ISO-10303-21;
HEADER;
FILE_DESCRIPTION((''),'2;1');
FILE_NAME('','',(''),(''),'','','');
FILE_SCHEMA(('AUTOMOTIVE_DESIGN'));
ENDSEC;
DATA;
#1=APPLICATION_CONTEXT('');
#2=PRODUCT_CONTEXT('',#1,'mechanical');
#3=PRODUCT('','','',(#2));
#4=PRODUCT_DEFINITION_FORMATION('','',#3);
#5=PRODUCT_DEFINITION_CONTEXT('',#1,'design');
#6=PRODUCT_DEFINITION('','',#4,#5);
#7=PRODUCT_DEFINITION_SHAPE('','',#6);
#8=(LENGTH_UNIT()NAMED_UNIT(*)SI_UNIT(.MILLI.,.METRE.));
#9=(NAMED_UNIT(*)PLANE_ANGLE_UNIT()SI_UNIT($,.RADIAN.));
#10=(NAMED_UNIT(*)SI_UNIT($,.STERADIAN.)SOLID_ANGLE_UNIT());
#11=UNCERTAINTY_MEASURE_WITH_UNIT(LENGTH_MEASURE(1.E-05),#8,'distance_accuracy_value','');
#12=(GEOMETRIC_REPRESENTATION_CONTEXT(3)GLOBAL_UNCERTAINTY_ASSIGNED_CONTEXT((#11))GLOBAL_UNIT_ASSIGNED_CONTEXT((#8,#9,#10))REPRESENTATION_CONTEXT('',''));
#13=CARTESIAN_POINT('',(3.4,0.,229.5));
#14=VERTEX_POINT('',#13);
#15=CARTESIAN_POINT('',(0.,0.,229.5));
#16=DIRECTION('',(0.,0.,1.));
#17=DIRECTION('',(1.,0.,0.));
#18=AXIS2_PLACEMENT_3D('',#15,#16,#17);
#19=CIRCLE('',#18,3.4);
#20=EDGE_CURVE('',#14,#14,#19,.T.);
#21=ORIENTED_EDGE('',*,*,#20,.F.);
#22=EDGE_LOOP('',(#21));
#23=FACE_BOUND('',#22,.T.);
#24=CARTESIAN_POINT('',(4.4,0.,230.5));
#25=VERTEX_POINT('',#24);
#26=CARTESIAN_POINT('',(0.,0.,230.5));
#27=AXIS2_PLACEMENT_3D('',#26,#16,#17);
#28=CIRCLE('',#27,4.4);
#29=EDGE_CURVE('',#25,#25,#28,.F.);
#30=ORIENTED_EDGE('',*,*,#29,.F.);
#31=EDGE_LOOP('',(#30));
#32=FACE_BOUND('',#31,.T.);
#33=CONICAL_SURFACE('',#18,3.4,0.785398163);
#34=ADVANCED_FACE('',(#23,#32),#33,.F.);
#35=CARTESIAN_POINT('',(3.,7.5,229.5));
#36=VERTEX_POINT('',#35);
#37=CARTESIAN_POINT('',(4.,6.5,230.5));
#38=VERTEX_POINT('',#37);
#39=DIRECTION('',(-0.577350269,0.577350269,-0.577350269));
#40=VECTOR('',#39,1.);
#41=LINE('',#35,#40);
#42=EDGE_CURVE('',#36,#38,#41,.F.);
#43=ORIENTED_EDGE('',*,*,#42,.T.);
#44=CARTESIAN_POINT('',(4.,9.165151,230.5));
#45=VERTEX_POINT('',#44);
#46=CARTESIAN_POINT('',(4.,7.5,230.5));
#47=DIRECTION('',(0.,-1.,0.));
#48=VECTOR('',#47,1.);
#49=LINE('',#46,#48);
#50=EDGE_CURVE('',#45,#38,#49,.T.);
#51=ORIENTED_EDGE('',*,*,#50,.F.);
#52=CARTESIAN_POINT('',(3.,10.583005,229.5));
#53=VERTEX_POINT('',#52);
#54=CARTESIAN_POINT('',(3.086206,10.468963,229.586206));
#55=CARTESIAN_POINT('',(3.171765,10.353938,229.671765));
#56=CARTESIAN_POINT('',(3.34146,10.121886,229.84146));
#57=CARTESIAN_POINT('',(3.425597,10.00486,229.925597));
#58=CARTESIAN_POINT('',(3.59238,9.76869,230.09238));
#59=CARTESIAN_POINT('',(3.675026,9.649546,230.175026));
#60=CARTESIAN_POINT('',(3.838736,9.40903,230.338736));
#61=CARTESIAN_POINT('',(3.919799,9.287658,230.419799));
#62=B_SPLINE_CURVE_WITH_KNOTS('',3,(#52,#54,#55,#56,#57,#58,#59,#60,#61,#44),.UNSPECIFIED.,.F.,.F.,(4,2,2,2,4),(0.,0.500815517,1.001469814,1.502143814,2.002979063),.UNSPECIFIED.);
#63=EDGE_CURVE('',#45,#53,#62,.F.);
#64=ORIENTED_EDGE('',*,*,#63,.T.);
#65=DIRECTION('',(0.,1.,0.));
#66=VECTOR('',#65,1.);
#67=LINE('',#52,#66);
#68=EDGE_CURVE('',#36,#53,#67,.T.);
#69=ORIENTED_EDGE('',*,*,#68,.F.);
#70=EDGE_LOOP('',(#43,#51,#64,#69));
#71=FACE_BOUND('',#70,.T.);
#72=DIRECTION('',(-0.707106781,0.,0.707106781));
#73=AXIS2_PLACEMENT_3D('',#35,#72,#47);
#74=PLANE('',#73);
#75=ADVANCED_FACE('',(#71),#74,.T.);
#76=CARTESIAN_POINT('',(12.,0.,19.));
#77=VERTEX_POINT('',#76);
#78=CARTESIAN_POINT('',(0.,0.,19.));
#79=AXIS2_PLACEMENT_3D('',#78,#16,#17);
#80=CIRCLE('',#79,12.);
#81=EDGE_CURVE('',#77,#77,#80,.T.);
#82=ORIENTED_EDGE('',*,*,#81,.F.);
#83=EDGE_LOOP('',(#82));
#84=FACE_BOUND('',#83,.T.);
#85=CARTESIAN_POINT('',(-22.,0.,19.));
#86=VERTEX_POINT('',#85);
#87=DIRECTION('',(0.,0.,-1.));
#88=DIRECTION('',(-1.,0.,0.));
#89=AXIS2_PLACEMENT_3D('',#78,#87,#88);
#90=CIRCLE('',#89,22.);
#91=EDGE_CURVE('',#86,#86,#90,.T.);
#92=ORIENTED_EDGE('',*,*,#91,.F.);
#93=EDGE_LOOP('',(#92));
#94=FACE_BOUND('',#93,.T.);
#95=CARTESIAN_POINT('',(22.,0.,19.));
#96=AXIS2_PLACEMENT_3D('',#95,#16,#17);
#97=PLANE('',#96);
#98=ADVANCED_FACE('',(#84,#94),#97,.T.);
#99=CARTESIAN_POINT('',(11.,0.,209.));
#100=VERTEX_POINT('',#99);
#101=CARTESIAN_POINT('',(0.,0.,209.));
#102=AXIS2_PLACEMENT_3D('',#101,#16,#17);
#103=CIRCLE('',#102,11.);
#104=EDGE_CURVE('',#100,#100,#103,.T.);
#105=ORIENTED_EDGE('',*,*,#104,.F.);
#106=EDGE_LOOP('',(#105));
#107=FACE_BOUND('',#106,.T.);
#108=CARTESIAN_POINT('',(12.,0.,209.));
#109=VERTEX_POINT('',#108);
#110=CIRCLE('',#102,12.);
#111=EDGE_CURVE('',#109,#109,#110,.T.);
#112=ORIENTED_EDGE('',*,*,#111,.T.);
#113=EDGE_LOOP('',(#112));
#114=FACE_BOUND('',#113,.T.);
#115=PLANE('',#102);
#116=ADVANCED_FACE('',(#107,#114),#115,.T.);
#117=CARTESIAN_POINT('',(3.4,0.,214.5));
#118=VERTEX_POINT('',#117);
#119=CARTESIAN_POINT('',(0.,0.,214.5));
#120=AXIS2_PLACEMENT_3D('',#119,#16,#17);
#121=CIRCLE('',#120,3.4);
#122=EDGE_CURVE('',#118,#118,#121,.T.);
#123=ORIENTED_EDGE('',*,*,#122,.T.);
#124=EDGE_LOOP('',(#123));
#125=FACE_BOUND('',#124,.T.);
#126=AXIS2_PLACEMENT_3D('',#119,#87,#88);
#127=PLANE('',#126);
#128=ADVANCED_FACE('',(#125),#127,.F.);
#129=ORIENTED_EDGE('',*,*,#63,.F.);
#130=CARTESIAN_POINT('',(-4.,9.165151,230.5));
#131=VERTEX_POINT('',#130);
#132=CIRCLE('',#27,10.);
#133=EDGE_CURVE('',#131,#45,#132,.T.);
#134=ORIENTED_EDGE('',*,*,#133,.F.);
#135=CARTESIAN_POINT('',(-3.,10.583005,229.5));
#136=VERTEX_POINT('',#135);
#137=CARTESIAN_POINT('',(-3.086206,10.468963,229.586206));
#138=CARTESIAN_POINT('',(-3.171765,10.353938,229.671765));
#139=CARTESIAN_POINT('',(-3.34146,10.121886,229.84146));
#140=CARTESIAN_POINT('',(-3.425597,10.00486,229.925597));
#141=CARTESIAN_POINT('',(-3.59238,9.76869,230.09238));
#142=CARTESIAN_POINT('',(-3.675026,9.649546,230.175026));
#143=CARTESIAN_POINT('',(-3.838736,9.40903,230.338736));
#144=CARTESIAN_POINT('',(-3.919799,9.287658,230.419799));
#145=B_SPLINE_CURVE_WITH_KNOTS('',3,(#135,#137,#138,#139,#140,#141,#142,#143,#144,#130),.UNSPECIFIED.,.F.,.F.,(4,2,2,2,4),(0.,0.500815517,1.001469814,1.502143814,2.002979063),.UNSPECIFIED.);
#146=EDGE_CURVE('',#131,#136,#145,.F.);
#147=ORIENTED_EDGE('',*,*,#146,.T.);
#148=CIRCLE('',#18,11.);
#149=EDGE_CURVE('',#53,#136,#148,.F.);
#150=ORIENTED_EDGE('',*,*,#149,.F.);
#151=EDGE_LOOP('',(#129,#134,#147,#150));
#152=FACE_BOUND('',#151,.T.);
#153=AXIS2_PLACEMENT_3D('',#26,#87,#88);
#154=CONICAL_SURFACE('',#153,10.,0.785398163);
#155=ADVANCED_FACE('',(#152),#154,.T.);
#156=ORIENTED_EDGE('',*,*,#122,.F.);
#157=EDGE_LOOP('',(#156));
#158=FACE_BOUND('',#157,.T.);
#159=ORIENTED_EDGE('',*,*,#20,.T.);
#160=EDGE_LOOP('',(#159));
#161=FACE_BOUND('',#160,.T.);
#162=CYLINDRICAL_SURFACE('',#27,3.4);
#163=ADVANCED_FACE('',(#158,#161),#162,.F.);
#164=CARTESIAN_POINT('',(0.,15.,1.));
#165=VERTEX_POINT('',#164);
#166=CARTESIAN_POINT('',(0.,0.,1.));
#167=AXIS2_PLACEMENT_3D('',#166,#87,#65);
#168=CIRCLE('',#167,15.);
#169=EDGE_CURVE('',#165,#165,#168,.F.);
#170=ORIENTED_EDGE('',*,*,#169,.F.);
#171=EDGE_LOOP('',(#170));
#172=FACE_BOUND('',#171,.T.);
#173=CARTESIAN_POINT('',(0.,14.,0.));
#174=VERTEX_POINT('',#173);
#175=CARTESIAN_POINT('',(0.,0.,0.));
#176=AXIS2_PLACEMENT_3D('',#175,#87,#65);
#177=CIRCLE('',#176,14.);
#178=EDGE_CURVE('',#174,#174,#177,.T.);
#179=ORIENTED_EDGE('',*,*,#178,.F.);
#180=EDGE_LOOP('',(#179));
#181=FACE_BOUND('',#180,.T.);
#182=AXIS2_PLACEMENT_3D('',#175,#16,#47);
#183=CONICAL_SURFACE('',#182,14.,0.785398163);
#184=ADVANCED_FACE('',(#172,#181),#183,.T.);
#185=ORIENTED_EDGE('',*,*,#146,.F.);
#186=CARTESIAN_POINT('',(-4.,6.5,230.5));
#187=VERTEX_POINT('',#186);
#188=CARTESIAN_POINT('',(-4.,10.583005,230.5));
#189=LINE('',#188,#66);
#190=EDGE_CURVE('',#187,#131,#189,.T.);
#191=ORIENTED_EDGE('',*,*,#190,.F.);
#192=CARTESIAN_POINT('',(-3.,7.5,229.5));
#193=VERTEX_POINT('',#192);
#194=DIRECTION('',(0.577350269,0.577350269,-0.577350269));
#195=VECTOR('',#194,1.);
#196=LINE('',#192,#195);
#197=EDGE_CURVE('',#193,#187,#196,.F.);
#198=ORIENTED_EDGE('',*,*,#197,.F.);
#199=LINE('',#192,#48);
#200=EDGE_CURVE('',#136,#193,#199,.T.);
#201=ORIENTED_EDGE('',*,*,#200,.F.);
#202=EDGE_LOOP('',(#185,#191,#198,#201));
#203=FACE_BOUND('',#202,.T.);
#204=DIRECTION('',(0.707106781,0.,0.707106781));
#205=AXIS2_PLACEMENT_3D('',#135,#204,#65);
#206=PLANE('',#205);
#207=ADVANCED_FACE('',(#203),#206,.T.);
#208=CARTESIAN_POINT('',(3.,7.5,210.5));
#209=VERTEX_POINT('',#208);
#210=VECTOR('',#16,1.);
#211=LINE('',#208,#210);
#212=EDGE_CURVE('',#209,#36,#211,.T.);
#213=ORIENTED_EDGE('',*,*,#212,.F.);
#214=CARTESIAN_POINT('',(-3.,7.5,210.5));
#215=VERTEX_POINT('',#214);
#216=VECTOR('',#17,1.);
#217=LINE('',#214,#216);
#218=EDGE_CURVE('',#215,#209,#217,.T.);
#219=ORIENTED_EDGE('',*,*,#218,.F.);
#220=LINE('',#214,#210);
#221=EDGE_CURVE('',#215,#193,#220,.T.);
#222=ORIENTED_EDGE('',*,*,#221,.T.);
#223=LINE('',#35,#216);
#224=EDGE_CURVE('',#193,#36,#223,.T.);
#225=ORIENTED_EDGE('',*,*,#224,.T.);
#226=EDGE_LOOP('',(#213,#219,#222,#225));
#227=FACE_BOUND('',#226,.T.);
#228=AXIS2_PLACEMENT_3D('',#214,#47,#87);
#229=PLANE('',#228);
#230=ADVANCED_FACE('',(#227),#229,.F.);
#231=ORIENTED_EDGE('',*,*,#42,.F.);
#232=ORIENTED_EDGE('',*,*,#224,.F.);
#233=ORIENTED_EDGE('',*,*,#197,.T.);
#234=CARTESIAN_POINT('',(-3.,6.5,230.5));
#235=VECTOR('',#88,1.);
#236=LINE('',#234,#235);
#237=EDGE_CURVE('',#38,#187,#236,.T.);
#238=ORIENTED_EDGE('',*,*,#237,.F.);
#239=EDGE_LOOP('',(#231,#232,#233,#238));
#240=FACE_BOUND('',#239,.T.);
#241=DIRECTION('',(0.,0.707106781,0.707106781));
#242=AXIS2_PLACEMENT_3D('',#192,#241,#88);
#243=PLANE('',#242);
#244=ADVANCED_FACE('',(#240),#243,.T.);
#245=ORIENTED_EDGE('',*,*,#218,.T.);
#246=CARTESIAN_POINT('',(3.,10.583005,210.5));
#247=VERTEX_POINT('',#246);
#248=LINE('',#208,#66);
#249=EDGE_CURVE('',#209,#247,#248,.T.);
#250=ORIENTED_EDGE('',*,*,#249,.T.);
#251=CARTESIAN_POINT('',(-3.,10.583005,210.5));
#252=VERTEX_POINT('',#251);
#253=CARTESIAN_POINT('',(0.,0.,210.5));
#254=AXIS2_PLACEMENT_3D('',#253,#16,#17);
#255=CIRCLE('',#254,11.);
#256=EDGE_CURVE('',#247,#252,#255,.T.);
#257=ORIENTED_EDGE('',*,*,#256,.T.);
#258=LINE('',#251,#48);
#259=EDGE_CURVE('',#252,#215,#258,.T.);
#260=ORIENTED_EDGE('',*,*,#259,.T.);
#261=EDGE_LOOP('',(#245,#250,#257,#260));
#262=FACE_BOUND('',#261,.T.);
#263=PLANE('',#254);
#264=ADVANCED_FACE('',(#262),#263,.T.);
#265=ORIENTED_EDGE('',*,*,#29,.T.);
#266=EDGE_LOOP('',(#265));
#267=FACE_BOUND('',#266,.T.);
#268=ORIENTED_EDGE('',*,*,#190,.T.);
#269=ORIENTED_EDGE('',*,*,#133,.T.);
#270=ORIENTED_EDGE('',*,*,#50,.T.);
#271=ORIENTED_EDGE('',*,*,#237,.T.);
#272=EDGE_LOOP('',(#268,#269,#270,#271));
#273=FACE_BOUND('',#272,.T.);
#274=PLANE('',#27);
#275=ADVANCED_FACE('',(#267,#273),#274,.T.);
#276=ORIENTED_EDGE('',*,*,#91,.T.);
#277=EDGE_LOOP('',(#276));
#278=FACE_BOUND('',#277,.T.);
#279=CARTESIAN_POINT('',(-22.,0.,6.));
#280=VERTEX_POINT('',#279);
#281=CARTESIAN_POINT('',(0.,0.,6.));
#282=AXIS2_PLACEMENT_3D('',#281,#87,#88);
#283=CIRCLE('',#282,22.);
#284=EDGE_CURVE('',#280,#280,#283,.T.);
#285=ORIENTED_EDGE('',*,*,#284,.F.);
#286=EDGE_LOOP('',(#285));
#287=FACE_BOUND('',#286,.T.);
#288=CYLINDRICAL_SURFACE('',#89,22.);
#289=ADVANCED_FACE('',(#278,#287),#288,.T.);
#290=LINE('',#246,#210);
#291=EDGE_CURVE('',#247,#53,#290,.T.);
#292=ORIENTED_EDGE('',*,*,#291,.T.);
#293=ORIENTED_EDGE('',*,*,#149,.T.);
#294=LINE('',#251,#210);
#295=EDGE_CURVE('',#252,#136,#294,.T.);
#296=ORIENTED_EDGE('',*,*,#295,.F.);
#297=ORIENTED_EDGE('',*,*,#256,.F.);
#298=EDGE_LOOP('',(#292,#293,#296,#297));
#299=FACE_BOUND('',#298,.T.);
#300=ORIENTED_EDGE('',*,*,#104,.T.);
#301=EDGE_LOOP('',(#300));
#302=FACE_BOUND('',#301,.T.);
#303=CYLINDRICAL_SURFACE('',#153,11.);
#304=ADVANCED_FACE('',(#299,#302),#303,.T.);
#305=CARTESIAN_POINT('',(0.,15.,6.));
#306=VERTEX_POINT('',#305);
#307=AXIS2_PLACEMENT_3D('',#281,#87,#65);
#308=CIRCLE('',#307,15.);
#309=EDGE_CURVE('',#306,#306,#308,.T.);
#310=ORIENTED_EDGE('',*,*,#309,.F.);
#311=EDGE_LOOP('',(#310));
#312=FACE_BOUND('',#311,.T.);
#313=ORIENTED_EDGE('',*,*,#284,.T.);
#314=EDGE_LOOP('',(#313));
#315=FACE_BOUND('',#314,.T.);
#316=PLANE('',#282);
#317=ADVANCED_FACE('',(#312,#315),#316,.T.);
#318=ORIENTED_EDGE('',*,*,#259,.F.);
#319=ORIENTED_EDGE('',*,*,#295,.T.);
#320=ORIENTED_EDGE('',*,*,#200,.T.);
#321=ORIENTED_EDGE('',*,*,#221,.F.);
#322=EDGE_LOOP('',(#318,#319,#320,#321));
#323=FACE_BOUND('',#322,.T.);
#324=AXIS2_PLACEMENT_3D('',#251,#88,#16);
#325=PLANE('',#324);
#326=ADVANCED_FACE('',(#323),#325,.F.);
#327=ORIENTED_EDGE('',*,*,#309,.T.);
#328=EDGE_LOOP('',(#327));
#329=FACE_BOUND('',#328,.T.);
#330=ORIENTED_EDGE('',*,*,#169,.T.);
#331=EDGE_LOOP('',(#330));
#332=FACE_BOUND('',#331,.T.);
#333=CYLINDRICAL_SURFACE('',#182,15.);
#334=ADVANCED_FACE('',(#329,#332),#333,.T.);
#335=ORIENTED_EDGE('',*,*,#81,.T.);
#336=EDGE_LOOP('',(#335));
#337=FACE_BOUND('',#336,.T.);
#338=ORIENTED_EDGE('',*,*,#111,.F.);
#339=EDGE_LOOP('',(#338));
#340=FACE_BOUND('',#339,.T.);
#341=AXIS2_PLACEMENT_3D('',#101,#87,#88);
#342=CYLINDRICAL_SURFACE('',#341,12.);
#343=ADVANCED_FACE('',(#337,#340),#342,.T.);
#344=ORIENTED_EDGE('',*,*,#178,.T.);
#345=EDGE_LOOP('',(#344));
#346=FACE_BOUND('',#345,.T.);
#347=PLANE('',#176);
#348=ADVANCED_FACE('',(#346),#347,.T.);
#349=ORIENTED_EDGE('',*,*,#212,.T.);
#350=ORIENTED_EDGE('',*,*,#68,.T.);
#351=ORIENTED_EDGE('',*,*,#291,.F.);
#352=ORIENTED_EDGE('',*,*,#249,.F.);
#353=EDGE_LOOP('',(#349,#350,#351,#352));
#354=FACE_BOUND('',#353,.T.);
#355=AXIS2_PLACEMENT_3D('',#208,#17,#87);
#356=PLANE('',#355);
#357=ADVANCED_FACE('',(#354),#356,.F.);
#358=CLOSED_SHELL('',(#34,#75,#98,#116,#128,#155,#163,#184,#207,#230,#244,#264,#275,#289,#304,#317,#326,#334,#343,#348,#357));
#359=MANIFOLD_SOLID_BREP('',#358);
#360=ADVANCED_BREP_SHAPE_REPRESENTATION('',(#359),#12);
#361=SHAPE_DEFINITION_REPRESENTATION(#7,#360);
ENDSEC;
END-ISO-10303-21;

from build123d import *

# Parameters (mm, degrees)
SKETCH1_W                      = 22
SKETCH1_H                      = 13
SKETCH2_R                      = 12
BOSS_EXTRUDE1_DEPTH            = 190
SKETCH3_R                      = 11
BOSS_EXTRUDE2_DEPTH            = 21.5
CUT_EXTRUDE1_START             = -20
CUT_EXTRUDE1_DEPTH             = 20
SKETCH5_R                      = 15
BOSS_EXTRUDE3_DEPTH            = 6
F_6_8_6_8_DIAMETER_HOLE1_D     = 6.8
F_6_8_6_8_DIAMETER_HOLE1_DEPTH = 16
CHAMFER1_SIZE                  = 1


with BuildPart() as part:
    # Sketch1 → Revolve1 (revolve)
    with BuildSketch(Plane.XZ, mode=Mode.PRIVATE) as revolve1_sk:
        with Locations((11, 12.5)):
            Rectangle(SKETCH1_W, SKETCH1_H)
    revolve(revolve1_sk.sketch.rotate(Axis((0, 0, 19), (0, 0, -1)), 180), axis=Axis((0, 0, 19), (0, 0, -1)))

    # Sketch2 → Boss-Extrude1 (add)
    with BuildSketch(Plane.XY.offset(19)):
        Circle(SKETCH2_R)
    extrude(amount=BOSS_EXTRUDE1_DEPTH)

    # Sketch3 → Boss-Extrude2 (add)
    with BuildSketch(Plane.XY.offset(209)):
        Circle(SKETCH3_R)
    extrude(amount=BOSS_EXTRUDE2_DEPTH)

    # Sketch4 → Cut-Extrude1 (cut)
    with BuildSketch(Plane.XY.offset(230.5).offset(CUT_EXTRUDE1_START)):
        with BuildLine():
            Line((3, 7.5), (3, 10.583005244))
            ThreePointArc((3, 10.583005244), (0, 11), (-3, 10.583005244))
            Line((-3, 10.583005244), (-3, 7.5))
            Line((-3, 7.5), (3, 7.5))
        make_face()
    extrude(amount=CUT_EXTRUDE1_DEPTH, mode=Mode.SUBTRACT)

    # Sketch5 → Boss-Extrude3 (add)
    with BuildSketch(Plane(origin=(0, 0, 6), x_dir=(-1, 0, 0), z_dir=(0, 0, -1))):
        with Locations(Location((0, 0, 0), (0, 0, 90))):
            Circle(SKETCH5_R)
    extrude(amount=BOSS_EXTRUDE3_DEPTH)

    # Ø6.8 (6.8) Diameter Hole1
    with Locations(Plane.XY.offset(230.5)):
        with Locations((0, 0)):
            Hole(F_6_8_6_8_DIAMETER_HOLE1_D / 2, depth=F_6_8_6_8_DIAMETER_HOLE1_DEPTH)

    # Chamfer1
    chamfer1_edges = [part.edges().sort_by_distance(p)[0] for p in [
        (-6.633249581, -8.774964387, 230.5),
        (0, 7.5, 230.5),
        (3, 9.041502622, 230.5),
        (-3, 9.041502622, 230.5),
        (0, -15, 0),
        (3.4, 0, 230.5),
    ]]
    chamfer(chamfer1_edges, length=CHAMFER1_SIZE)


solid = part.part
